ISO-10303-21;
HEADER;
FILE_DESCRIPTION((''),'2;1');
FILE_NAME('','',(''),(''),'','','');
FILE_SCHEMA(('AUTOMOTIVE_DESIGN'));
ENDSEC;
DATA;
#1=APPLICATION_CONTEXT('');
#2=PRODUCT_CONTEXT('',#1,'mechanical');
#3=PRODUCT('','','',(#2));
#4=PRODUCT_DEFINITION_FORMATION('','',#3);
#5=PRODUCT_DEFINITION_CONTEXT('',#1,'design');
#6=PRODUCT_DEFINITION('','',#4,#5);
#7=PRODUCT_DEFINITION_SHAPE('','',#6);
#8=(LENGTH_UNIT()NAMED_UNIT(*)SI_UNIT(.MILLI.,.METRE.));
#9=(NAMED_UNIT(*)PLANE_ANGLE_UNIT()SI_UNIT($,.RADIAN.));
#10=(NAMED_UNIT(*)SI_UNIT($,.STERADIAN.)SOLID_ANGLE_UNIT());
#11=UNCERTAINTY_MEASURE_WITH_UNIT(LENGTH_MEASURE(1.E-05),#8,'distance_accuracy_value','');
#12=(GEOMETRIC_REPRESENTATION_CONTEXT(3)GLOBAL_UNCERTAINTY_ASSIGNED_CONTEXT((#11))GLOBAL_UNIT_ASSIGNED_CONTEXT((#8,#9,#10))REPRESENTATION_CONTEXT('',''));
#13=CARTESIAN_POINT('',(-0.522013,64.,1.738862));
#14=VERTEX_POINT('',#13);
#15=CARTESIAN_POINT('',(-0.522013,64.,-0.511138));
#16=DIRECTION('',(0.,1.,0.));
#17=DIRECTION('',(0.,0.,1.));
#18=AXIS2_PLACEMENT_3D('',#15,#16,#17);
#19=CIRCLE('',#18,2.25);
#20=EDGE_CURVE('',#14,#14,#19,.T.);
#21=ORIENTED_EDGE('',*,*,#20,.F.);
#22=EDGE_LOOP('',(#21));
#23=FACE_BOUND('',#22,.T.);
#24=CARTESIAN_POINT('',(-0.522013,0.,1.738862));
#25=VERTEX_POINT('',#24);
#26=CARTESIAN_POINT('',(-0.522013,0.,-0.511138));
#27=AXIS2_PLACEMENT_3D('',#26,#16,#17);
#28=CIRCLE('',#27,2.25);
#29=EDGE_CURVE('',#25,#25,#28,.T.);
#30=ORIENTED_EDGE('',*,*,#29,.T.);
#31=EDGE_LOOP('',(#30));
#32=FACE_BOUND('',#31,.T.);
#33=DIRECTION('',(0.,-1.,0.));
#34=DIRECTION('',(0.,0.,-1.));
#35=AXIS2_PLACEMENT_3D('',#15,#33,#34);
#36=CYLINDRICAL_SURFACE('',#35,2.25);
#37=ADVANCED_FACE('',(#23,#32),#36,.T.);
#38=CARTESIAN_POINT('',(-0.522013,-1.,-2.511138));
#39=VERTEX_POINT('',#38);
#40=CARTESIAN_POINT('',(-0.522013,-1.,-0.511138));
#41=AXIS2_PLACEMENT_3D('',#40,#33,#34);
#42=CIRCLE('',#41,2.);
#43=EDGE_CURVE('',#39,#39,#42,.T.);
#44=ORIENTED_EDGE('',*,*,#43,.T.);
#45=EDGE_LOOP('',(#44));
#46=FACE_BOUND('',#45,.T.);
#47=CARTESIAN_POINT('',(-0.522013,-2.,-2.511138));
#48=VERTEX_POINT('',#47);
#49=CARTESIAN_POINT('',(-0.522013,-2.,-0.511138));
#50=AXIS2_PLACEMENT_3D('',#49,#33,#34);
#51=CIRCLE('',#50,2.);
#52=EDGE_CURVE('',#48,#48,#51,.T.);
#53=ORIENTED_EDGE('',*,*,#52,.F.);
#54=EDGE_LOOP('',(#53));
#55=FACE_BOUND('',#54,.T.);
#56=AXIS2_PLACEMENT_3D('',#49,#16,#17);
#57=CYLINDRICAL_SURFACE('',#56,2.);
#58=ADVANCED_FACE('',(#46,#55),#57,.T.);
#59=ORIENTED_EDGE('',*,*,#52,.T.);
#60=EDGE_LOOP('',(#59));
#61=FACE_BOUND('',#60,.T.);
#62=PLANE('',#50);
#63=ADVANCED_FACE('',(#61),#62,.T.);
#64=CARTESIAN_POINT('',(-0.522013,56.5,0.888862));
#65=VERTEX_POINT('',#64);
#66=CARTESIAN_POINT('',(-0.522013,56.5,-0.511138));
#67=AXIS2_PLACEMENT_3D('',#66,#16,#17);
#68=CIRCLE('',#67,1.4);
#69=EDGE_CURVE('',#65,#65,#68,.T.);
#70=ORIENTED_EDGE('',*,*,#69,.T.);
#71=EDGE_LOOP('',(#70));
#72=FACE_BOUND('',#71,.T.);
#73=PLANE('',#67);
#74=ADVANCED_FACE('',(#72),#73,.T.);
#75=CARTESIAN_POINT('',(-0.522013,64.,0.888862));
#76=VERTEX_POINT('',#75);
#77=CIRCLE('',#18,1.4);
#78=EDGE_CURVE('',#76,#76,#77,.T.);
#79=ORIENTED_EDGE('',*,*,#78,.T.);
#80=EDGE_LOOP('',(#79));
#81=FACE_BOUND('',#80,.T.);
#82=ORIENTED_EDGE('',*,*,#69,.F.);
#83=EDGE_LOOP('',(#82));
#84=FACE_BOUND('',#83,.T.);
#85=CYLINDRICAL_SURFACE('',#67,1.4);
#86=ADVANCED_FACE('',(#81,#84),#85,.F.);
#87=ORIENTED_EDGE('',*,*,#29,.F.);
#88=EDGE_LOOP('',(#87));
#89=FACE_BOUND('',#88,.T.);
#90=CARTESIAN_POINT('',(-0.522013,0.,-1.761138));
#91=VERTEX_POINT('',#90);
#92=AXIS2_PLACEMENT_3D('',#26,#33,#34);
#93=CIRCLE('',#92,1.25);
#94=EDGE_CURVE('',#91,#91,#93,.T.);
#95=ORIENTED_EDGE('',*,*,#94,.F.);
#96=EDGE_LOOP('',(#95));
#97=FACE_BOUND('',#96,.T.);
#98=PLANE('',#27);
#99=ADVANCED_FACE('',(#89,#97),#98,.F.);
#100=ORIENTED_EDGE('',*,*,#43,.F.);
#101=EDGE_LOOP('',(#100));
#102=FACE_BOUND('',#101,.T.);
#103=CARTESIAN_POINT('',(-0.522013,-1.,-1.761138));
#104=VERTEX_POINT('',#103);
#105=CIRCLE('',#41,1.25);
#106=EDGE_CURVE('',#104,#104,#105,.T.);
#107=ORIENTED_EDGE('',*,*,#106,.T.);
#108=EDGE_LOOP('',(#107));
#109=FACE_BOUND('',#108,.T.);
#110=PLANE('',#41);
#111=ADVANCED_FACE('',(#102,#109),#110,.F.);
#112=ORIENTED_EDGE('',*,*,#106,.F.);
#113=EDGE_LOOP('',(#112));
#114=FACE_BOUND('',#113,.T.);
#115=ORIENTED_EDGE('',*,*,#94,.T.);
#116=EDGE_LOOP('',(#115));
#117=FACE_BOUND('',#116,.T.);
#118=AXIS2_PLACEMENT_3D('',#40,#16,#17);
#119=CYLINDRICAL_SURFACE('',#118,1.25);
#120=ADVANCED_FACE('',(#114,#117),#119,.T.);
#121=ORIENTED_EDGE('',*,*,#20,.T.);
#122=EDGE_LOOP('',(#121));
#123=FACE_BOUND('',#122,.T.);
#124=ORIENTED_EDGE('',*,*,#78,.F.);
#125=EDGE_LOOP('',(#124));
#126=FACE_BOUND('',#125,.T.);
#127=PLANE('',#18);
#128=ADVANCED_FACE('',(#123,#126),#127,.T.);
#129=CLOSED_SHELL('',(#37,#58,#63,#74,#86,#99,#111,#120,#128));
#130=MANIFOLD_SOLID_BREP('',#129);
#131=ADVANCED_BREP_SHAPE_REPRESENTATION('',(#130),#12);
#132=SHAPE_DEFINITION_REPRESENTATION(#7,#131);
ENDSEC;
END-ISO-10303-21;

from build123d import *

# Parameters (mm, degrees)
SKETCH1_R           = 2.25
BOSS_EXTRUDE1_DEPTH = 64
SKETCH1_3_R         = 1.375
BOSS_EXTRUDE2_DEPTH = 1
SKETCH5_R           = 1.25
BOSS_EXTRUDE3_DEPTH = 1
SKETCH6_R           = 2
BOSS_EXTRUDE4_DEPTH = 1
SKETCH12_R          = 1.4
CUT_EXTRUDE1_DEPTH  = 7.5


with BuildPart() as part:
    # Sketch1 → Boss-Extrude1 (new body)
    with BuildSketch(Plane(origin=(0, 0, 0), x_dir=(1, 0, 0), z_dir=(0, 1, 0))):
        with Locations((-0.522013312, 0.511138034)):
            Circle(SKETCH1_R)
    extrude(amount=BOSS_EXTRUDE1_DEPTH)

    # Sketch1<3> → Boss-Extrude2 (add)
    with BuildSketch(Plane(origin=(0, 0, 0), x_dir=(1, 0, 0), z_dir=(0, 1, 0))):
        with Locations((-0.522013312, 0.511138034)):
            Circle(SKETCH1_3_R)
    extrude(amount=BOSS_EXTRUDE2_DEPTH)

    # Sketch5 → Boss-Extrude3 (add)
    with BuildSketch(Plane.XZ):
        with Locations((-0.522013312, -0.511138034)):
            Circle(SKETCH5_R)
    extrude(amount=BOSS_EXTRUDE3_DEPTH)

    # Sketch6 → Boss-Extrude4 (add)
    with BuildSketch(Plane.XZ.offset(1)):
        with Locations((-0.522013312, -0.511138034)):
            Circle(SKETCH6_R)
    extrude(amount=BOSS_EXTRUDE4_DEPTH)

    # Sketch12 → Cut-Extrude1 (cut)
    with BuildSketch(Plane(origin=(0, 64, 0), x_dir=(1, 0, 0), z_dir=(0, 1, 0))):
        with Locations((-0.522013312, 0.511138034)):
            Circle(SKETCH12_R)
    extrude(amount=-CUT_EXTRUDE1_DEPTH, mode=Mode.SUBTRACT)


solid = part.part
